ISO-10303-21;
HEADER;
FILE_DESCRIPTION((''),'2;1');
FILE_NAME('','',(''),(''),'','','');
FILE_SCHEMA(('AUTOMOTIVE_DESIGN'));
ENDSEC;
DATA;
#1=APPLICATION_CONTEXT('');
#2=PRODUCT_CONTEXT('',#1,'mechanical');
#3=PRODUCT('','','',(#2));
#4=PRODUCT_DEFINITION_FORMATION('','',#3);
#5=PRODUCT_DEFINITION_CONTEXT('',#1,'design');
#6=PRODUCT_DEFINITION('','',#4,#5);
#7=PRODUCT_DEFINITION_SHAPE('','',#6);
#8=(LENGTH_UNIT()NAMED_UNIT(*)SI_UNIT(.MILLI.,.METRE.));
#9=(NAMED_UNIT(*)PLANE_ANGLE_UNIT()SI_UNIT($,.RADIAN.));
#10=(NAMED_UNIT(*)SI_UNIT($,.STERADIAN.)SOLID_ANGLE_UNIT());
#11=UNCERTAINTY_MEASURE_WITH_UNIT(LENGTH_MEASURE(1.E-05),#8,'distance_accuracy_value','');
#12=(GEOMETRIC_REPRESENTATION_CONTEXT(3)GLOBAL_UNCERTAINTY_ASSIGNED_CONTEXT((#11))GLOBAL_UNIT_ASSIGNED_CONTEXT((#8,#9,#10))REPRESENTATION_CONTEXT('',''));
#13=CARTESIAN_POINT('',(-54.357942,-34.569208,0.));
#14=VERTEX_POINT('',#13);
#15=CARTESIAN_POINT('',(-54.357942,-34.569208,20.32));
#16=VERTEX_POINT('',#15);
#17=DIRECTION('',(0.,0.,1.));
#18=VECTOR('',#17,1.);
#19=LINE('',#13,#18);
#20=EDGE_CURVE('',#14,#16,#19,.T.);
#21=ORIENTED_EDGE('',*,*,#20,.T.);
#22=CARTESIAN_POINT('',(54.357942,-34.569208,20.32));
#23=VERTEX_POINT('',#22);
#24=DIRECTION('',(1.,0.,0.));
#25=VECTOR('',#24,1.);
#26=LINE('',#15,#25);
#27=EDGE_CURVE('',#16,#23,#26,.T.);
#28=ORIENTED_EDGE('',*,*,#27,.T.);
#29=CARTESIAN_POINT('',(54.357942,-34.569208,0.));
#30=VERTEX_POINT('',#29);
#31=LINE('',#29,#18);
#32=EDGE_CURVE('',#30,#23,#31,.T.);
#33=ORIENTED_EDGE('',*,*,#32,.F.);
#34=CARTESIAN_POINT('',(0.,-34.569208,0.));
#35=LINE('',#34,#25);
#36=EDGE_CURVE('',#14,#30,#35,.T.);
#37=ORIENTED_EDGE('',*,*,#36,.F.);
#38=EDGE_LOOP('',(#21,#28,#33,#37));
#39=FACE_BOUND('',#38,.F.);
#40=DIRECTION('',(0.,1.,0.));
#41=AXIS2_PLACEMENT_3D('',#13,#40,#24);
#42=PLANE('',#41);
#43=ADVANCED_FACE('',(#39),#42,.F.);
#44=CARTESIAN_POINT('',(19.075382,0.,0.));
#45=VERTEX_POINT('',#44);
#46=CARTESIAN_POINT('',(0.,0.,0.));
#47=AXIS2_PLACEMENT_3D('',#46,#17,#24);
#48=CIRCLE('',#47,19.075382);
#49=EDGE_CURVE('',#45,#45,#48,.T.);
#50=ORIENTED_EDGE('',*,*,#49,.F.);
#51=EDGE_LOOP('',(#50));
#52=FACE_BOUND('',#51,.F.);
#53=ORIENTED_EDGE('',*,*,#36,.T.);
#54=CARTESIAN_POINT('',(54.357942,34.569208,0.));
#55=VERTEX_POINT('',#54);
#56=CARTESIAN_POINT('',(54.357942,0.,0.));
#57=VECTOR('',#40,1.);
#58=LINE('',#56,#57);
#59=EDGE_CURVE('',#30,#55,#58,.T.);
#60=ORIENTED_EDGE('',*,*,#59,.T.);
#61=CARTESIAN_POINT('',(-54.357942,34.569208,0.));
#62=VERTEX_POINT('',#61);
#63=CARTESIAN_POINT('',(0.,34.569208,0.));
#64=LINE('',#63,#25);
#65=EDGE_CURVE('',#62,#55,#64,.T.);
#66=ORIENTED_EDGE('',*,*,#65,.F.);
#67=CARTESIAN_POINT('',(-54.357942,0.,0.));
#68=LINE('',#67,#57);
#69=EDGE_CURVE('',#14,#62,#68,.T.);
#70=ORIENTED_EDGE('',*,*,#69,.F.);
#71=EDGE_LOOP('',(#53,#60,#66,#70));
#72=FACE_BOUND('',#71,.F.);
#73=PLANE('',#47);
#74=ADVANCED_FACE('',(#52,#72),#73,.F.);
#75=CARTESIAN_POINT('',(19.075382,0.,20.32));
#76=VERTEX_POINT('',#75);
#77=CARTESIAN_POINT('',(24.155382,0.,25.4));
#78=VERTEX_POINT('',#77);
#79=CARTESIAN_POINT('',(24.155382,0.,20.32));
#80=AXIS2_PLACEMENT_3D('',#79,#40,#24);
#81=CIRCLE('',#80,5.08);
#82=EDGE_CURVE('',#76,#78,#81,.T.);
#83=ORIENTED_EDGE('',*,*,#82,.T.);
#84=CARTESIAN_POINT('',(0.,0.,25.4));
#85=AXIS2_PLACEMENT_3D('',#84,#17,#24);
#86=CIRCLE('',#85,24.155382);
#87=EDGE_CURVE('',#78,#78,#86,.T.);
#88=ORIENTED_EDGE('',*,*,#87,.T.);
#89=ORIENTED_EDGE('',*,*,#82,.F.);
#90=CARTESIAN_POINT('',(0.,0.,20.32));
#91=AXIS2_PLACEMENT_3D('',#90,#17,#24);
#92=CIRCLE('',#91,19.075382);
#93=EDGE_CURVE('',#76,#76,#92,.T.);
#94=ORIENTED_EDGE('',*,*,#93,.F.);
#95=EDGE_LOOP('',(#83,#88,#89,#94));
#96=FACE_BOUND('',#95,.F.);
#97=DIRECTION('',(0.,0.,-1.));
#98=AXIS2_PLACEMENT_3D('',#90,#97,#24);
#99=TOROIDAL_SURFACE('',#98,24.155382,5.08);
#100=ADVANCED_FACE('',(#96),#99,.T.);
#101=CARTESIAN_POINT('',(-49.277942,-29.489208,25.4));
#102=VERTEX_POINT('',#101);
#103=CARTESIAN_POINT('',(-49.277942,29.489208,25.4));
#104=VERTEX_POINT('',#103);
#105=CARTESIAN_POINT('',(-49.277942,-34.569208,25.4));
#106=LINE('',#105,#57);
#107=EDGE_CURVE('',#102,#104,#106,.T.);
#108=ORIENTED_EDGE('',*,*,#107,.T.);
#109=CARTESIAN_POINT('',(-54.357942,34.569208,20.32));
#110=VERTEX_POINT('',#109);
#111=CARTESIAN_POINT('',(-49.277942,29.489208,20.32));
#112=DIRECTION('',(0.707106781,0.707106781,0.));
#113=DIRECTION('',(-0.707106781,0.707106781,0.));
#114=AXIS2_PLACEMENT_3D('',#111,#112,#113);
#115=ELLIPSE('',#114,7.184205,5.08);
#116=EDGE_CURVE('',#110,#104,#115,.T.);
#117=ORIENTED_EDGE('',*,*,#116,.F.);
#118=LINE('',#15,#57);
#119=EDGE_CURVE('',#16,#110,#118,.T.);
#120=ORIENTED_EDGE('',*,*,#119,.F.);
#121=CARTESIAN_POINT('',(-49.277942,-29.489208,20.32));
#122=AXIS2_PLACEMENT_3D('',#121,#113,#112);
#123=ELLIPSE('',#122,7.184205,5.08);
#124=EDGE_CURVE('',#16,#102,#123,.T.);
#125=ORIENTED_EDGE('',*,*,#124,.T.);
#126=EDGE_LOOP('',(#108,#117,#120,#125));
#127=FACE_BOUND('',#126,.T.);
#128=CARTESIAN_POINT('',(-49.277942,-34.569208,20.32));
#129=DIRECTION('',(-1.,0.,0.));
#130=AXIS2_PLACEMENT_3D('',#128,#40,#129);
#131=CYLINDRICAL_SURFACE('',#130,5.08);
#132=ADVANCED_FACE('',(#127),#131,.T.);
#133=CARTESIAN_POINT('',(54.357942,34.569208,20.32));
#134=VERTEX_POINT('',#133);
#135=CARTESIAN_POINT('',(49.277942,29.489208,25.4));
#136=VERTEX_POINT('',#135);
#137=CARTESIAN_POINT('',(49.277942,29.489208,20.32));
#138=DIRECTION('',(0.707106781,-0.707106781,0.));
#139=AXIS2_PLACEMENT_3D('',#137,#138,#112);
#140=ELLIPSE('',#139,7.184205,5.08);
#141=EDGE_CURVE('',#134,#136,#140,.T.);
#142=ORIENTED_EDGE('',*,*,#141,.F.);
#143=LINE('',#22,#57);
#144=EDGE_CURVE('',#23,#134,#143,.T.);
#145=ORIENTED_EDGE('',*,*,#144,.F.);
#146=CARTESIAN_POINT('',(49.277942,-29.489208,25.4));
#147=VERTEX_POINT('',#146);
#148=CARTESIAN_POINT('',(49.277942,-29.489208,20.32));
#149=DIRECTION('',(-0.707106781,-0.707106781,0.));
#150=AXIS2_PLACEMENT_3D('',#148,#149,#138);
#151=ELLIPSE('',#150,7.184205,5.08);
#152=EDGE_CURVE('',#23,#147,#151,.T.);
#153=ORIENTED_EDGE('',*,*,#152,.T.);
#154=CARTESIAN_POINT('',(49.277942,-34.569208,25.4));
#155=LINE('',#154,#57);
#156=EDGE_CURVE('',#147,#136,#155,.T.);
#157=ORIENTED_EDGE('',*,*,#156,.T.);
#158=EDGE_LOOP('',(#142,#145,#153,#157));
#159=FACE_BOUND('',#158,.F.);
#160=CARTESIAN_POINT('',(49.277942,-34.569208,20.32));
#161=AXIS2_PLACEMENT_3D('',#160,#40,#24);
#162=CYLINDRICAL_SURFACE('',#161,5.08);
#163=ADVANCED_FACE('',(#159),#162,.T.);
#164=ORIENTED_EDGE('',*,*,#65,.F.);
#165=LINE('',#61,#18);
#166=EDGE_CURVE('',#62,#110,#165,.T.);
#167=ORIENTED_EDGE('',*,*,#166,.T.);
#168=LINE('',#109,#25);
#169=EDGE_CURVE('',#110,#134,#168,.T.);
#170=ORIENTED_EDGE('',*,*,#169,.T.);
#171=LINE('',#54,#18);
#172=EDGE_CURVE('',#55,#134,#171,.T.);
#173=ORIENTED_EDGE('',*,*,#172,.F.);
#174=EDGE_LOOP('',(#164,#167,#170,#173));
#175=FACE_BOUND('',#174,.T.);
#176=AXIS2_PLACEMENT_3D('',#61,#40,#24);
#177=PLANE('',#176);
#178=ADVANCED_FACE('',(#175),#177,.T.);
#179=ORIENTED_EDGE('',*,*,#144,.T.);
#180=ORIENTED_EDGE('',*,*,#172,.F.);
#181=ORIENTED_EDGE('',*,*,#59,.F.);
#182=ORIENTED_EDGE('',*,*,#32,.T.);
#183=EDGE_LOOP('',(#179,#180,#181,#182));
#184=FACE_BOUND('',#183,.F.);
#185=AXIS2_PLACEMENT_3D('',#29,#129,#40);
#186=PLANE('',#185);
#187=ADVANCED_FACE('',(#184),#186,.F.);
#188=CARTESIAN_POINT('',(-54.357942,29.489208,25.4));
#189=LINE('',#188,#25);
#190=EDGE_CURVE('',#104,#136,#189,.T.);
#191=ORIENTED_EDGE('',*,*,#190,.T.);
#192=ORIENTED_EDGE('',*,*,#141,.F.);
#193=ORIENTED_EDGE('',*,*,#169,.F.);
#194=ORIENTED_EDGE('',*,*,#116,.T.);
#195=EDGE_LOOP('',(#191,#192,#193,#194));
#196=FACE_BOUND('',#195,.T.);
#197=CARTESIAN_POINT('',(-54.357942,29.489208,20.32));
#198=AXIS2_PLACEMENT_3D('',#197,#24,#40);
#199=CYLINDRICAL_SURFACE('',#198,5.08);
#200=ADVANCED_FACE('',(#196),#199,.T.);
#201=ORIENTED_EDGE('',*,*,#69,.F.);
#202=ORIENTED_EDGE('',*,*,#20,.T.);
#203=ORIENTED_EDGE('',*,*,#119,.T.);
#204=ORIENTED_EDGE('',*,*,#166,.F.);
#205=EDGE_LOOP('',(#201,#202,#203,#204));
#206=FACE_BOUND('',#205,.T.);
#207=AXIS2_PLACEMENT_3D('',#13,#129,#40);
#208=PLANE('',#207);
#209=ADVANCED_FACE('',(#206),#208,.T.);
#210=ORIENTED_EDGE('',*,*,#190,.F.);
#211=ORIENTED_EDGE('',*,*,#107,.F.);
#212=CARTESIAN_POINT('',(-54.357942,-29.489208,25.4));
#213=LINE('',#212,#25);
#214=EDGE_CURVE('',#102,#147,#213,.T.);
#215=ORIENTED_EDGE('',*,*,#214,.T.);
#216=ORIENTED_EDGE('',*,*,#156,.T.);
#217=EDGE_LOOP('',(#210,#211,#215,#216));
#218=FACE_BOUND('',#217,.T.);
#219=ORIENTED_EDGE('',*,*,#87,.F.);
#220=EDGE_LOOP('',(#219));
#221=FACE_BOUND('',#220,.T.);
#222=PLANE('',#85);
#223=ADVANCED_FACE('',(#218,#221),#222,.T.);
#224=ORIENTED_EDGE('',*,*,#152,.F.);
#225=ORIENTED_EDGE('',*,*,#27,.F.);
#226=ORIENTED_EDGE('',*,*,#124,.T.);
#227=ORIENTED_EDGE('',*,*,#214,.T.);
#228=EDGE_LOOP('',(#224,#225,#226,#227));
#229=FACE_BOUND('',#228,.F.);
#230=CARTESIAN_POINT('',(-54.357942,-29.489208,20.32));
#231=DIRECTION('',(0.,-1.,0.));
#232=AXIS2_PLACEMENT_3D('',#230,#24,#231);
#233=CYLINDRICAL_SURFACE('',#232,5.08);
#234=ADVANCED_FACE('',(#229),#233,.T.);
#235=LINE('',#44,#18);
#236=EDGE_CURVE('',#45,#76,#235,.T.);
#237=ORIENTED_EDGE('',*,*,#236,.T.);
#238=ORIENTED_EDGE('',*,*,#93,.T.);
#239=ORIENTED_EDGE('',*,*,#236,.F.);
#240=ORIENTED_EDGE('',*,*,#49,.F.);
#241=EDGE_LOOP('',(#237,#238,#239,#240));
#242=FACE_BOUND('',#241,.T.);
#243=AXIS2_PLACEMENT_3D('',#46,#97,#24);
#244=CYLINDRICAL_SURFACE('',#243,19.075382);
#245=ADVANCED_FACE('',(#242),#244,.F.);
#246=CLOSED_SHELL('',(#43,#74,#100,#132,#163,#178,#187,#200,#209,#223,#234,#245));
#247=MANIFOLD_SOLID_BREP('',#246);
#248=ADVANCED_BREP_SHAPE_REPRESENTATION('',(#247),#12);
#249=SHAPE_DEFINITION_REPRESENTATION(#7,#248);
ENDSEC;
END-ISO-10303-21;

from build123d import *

# Parameters (mm, degrees)
F0_W     = 108.715884
F0_H     = 69.138416
F0_R     = 19.075382
F1_DEPTH = 25.4
F2_R     = 5.08


with BuildPart() as f1:
    # F0 (on Top) → F1 (new body)
    with BuildSketch(Plane.XY):
        Rectangle(F0_W, F0_H)
        Circle(F0_R, mode=Mode.SUBTRACT)
    extrude(amount=F1_DEPTH)

    # F2
    f2_edges = [f1.edges().sort_by_distance(p)[0] for p in [
        (0, -34.569208, 25.4),
        (-54.357942, 0, 25.4),
        (0, 34.569208, 25.4),
        (54.357942, 0, 25.4),
        (-19.075382, 0, 25.4),
    ]]
    fillet(f2_edges, radius=F2_R)


solid = f1.part
